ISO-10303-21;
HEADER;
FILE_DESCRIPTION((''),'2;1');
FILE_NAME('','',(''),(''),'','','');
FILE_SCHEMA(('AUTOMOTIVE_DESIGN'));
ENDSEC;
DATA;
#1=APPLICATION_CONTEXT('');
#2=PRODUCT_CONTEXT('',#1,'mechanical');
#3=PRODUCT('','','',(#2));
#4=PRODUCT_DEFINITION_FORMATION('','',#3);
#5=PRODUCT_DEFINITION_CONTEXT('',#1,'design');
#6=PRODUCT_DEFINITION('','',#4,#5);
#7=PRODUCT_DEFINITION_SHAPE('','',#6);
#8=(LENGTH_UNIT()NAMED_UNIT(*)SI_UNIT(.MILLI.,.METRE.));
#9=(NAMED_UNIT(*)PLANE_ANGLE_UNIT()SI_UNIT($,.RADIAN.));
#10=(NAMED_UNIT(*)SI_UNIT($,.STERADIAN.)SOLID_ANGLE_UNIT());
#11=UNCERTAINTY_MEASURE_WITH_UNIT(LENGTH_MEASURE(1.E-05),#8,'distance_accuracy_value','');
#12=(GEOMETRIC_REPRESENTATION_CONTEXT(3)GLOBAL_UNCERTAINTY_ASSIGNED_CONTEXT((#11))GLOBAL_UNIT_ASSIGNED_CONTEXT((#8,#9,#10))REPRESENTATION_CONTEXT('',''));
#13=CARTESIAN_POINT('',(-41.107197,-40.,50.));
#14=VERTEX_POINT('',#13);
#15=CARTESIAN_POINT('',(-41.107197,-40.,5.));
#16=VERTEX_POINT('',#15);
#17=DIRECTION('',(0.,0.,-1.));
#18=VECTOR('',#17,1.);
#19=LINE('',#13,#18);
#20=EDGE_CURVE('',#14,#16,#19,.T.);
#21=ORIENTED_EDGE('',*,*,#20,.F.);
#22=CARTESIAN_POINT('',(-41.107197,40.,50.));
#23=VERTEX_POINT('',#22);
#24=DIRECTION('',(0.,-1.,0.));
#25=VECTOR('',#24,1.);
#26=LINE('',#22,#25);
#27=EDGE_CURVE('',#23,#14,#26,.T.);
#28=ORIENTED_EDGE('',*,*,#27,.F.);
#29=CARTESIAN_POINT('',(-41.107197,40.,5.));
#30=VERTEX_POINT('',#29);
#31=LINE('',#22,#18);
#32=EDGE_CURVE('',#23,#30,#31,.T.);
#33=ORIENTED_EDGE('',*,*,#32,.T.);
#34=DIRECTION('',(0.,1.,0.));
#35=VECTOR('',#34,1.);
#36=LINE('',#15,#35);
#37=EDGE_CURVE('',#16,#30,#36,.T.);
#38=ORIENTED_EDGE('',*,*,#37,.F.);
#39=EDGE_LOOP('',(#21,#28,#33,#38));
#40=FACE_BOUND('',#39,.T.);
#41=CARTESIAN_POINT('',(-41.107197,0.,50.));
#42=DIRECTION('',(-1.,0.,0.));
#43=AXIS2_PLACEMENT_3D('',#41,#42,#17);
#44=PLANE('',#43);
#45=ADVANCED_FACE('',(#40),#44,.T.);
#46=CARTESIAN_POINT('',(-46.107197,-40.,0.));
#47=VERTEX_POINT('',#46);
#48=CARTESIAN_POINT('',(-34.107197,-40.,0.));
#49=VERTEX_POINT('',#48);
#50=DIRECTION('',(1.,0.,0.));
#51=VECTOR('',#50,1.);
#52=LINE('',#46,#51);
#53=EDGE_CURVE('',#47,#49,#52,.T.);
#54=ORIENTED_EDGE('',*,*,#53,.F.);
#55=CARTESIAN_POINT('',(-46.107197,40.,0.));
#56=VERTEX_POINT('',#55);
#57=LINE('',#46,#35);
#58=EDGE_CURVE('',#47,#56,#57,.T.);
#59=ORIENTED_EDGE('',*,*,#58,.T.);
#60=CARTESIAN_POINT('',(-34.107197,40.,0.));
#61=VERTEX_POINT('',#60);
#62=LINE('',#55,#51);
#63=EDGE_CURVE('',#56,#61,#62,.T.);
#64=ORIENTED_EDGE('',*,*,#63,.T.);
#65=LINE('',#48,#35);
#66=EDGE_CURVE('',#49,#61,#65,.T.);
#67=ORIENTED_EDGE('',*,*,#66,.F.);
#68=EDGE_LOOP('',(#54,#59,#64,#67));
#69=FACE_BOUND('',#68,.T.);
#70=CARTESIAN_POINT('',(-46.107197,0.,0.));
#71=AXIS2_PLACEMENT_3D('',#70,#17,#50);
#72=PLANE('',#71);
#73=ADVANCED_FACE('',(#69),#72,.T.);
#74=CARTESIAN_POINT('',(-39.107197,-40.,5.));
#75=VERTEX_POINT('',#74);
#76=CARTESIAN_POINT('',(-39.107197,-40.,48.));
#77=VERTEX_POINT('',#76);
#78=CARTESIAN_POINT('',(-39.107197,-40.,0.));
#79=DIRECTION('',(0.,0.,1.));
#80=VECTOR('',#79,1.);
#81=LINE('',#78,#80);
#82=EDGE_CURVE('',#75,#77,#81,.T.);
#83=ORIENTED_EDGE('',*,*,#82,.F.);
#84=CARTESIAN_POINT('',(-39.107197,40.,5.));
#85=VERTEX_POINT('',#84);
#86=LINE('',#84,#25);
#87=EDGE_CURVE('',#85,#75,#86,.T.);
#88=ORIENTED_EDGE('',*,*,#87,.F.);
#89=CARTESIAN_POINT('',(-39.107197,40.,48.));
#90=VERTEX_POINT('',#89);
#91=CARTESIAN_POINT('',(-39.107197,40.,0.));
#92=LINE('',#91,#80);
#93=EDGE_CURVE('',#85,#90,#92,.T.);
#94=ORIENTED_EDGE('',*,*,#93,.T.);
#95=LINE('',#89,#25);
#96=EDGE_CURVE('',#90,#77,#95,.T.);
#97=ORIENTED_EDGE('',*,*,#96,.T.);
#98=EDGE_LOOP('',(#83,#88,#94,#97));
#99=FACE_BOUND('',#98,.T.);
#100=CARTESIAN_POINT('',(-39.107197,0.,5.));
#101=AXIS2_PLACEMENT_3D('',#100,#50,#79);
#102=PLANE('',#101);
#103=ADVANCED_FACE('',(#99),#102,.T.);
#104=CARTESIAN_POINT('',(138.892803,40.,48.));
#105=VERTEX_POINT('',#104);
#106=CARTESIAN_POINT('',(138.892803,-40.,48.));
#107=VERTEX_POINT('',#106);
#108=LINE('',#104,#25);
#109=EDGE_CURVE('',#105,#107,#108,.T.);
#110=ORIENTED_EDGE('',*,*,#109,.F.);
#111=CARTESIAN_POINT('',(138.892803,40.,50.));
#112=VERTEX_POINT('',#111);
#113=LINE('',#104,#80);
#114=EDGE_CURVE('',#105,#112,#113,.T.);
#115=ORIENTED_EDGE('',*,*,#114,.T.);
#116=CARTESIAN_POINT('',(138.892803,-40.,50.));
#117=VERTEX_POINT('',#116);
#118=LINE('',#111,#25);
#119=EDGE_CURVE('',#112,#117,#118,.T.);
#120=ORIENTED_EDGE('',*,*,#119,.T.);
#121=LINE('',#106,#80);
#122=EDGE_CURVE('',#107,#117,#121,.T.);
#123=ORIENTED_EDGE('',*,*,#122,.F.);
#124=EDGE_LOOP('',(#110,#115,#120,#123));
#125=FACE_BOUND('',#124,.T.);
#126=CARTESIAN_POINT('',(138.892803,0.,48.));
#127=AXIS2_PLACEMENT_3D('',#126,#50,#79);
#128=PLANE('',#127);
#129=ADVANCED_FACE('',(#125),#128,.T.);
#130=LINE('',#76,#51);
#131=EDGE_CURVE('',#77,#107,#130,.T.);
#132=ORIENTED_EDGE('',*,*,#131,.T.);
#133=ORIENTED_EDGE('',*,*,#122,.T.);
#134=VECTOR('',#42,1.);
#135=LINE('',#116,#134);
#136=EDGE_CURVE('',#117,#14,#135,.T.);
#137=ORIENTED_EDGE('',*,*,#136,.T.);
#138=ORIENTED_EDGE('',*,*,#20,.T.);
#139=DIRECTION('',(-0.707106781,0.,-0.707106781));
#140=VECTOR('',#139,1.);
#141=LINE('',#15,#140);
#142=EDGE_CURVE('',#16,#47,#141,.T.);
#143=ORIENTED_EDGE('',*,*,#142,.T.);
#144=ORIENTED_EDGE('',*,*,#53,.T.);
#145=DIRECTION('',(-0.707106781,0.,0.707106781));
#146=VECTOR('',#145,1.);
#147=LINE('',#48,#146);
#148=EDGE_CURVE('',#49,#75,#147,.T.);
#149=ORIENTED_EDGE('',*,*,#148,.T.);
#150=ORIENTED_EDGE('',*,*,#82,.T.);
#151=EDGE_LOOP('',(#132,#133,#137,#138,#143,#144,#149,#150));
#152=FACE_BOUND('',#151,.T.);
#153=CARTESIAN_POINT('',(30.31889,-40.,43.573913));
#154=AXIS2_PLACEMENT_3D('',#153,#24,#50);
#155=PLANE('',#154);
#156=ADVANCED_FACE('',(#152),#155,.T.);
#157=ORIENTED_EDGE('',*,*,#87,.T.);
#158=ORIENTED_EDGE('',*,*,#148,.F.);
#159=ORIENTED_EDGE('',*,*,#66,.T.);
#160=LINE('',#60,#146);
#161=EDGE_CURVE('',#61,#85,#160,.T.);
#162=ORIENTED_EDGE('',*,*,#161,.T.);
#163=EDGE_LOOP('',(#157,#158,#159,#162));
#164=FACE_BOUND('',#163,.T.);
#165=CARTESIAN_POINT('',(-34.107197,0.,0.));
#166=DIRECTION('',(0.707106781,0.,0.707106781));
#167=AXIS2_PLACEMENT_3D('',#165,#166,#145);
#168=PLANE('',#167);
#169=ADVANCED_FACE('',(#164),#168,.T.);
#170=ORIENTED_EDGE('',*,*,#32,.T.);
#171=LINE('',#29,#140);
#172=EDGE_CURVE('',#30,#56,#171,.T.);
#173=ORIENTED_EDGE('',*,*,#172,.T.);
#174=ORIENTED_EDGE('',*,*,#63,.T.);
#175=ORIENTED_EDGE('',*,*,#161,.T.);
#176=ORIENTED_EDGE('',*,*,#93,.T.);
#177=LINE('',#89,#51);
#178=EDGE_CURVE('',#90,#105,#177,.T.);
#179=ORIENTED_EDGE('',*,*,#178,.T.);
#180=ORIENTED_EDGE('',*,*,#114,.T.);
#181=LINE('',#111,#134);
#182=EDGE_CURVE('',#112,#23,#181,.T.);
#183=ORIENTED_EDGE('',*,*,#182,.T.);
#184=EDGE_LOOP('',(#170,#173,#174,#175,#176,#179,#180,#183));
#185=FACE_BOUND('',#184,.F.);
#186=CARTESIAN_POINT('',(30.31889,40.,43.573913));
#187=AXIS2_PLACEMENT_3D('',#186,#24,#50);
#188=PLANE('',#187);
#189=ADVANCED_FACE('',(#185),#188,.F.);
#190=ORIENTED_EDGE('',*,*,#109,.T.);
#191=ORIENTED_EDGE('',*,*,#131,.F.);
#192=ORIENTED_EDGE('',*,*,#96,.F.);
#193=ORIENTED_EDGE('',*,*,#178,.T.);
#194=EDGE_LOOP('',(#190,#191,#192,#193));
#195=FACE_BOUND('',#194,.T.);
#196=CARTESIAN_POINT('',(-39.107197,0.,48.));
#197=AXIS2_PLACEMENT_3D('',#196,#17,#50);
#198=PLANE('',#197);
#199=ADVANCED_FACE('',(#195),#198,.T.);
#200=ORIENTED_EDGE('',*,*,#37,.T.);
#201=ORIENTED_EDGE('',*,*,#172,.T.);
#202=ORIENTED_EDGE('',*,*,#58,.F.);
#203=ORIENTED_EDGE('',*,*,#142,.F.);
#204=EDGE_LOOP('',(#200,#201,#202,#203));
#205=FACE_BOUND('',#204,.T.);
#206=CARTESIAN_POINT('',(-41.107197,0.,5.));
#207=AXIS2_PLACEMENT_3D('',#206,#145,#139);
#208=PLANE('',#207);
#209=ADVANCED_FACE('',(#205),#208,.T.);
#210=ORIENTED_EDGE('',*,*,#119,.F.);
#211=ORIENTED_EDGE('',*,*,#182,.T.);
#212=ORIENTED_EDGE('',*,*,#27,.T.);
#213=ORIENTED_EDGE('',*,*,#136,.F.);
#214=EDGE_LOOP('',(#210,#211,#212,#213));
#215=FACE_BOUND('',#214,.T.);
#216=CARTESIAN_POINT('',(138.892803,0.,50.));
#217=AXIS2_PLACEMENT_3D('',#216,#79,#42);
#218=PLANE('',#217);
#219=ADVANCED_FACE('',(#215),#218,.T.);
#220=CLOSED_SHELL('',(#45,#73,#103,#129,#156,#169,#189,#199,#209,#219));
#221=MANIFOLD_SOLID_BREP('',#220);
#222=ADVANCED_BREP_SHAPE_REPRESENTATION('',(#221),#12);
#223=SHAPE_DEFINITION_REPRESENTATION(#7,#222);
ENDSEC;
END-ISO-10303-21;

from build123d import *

# Parameters (mm, degrees)
F1_DEPTH = 40


with BuildPart() as f1:
    # F0 (on Front) → F1 (new body, symmetric)
    with BuildSketch(Plane.XZ):
        Polygon((-41.107197, 0), (-39.107197, 0), (-39.107197, 5), (-39.107197, 48), (138.892803, 48), (138.892803, 50), (-41.107197, 50), (-41.107197, 5), align=None)
        Polygon((-39.107197, 5), (-39.107197, 0), (-34.107197, 0), align=None)
        Polygon((-46.107197, 0), (-41.107197, 0), (-41.107197, 5), align=None)
    extrude(amount=F1_DEPTH, both=True)


solid = f1.part
